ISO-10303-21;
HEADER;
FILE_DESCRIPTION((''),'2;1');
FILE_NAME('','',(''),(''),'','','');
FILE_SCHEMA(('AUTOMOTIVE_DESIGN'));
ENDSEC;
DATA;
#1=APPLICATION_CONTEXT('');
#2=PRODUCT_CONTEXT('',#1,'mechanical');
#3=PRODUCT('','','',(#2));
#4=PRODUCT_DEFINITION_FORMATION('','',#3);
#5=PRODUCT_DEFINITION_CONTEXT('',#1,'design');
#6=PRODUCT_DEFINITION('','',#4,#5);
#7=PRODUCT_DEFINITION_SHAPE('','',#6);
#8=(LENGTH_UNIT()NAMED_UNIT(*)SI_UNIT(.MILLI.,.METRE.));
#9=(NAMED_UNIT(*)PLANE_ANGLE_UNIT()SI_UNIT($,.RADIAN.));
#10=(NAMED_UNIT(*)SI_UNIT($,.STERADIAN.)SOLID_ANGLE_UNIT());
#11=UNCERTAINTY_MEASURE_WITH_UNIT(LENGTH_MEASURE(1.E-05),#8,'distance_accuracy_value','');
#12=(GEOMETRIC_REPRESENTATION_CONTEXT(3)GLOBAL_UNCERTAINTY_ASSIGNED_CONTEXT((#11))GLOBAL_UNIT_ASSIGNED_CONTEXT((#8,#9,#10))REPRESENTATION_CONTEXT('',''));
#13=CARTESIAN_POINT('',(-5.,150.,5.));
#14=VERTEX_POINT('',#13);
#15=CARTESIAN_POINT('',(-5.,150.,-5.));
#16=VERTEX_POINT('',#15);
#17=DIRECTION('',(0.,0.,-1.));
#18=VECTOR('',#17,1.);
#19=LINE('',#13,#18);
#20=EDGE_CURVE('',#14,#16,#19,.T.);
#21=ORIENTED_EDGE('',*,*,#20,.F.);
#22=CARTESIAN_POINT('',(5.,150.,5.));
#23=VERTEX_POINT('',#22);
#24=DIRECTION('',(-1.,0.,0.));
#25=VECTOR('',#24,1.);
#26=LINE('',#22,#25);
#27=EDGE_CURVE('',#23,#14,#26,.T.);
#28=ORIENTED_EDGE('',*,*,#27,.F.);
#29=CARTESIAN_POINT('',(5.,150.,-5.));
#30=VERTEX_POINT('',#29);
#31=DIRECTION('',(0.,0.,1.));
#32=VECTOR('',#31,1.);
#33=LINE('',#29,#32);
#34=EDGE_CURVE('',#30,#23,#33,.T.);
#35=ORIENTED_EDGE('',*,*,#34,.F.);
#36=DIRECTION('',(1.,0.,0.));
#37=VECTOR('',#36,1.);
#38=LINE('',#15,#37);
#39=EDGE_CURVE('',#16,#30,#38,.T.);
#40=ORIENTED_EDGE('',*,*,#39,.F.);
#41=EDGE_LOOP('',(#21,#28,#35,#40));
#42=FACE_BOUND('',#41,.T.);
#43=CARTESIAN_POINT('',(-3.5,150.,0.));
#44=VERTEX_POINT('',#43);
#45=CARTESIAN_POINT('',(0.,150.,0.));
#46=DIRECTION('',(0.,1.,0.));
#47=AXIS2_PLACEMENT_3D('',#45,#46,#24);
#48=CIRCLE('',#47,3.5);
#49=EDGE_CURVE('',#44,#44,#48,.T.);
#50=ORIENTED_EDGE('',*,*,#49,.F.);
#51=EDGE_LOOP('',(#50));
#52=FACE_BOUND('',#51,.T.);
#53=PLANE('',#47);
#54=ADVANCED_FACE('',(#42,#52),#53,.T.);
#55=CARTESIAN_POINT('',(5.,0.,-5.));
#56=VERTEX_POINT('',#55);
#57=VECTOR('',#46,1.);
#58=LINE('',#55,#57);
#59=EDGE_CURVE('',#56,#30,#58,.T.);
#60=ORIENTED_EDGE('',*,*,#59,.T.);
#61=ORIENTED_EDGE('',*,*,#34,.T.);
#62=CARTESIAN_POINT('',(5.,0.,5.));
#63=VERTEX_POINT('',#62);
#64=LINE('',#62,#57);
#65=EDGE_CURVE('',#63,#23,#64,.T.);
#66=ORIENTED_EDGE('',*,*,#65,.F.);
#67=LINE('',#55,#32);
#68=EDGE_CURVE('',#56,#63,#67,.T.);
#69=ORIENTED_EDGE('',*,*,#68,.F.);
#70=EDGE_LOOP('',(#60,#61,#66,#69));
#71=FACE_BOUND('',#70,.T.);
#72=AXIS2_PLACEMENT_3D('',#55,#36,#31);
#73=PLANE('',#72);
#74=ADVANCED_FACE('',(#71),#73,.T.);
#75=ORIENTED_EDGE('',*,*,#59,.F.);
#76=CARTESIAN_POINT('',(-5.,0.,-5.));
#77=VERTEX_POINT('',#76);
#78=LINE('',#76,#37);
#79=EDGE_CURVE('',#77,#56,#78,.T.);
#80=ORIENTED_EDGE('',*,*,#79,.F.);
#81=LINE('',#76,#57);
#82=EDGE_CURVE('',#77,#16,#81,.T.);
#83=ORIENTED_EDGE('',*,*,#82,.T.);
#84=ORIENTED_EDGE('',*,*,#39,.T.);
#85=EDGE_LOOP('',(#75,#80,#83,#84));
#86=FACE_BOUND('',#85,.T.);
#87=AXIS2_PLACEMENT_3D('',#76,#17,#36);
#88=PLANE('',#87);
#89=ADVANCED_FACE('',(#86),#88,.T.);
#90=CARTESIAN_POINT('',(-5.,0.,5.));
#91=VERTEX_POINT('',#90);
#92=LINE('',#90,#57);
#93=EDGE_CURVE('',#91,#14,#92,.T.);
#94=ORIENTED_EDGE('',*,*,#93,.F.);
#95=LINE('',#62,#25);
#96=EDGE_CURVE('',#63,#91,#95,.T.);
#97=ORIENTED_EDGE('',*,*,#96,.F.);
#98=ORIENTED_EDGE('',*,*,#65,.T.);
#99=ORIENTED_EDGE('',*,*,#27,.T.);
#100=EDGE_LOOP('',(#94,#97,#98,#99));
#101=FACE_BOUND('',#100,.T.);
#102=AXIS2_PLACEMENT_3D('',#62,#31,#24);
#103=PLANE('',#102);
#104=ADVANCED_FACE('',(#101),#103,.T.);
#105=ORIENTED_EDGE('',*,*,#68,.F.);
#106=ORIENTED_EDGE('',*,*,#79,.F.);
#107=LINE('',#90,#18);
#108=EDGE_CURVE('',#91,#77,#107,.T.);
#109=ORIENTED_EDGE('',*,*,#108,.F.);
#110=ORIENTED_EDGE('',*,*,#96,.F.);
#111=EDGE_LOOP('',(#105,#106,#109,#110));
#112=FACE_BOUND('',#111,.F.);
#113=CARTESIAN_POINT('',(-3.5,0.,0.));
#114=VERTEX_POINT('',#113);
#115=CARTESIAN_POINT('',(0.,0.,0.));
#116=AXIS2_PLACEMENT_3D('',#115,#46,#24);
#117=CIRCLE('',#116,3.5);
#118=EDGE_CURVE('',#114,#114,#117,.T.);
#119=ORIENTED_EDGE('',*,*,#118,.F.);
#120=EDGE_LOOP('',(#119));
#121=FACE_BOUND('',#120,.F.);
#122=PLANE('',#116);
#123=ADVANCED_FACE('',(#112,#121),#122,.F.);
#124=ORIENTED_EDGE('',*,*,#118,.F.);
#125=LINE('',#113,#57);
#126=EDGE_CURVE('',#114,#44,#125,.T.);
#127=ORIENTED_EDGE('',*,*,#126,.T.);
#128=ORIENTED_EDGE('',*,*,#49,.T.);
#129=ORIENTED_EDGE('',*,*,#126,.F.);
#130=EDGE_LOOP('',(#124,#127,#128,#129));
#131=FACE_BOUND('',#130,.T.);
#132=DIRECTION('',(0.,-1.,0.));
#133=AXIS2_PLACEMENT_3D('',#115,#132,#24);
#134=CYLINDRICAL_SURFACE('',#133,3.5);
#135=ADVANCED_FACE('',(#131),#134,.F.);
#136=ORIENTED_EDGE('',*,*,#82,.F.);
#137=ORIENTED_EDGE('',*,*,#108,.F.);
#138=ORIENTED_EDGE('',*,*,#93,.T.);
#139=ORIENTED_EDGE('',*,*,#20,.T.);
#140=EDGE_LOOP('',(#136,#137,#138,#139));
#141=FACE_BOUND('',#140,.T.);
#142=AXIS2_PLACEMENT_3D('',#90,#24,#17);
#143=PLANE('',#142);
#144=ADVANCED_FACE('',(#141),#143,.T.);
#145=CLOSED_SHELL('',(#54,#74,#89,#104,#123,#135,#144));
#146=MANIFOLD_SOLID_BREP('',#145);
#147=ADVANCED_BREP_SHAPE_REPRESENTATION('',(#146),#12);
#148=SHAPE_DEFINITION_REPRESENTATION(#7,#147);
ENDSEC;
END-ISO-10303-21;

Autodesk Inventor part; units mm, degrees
ref_plane "YZ Plane" through (0, 0, 0) normal (1, 0, 0) x (0, 1, 0)
ref_plane "XZ Plane" through (0, 0, 0) normal (0, 1, 0) x (-1, 0, 0)
ref_plane "XY Plane" through (0, 0, 0) normal (0, 0, 1) x (1, 0, 0)
sketch "Sketch1" plane through (0, 0, 0) normal (0, 1, 0) x (-1, 0, 0)
  line L0 (5, 5) -> (5, -5)
  line L1 (5, -5) -> (-5, -5)
  line L2 (-5, -5) -> (-5, 5)
  line L3 (-5, 5) -> (5, 5)
  line L4 (5, 5) -> (-5, -5) construction
  line L5 (5, -5) -> (-5, 5) construction
  circle A0 centre (0, 0) radius 3.5
  dimension "d0" = 10
  dimension "d1" = 10
  dimension "d2" = 7
extrude "Extrusion1" add sketch "Sketch1" along normal blind 150
properties part number "carbon_fiber_150"
